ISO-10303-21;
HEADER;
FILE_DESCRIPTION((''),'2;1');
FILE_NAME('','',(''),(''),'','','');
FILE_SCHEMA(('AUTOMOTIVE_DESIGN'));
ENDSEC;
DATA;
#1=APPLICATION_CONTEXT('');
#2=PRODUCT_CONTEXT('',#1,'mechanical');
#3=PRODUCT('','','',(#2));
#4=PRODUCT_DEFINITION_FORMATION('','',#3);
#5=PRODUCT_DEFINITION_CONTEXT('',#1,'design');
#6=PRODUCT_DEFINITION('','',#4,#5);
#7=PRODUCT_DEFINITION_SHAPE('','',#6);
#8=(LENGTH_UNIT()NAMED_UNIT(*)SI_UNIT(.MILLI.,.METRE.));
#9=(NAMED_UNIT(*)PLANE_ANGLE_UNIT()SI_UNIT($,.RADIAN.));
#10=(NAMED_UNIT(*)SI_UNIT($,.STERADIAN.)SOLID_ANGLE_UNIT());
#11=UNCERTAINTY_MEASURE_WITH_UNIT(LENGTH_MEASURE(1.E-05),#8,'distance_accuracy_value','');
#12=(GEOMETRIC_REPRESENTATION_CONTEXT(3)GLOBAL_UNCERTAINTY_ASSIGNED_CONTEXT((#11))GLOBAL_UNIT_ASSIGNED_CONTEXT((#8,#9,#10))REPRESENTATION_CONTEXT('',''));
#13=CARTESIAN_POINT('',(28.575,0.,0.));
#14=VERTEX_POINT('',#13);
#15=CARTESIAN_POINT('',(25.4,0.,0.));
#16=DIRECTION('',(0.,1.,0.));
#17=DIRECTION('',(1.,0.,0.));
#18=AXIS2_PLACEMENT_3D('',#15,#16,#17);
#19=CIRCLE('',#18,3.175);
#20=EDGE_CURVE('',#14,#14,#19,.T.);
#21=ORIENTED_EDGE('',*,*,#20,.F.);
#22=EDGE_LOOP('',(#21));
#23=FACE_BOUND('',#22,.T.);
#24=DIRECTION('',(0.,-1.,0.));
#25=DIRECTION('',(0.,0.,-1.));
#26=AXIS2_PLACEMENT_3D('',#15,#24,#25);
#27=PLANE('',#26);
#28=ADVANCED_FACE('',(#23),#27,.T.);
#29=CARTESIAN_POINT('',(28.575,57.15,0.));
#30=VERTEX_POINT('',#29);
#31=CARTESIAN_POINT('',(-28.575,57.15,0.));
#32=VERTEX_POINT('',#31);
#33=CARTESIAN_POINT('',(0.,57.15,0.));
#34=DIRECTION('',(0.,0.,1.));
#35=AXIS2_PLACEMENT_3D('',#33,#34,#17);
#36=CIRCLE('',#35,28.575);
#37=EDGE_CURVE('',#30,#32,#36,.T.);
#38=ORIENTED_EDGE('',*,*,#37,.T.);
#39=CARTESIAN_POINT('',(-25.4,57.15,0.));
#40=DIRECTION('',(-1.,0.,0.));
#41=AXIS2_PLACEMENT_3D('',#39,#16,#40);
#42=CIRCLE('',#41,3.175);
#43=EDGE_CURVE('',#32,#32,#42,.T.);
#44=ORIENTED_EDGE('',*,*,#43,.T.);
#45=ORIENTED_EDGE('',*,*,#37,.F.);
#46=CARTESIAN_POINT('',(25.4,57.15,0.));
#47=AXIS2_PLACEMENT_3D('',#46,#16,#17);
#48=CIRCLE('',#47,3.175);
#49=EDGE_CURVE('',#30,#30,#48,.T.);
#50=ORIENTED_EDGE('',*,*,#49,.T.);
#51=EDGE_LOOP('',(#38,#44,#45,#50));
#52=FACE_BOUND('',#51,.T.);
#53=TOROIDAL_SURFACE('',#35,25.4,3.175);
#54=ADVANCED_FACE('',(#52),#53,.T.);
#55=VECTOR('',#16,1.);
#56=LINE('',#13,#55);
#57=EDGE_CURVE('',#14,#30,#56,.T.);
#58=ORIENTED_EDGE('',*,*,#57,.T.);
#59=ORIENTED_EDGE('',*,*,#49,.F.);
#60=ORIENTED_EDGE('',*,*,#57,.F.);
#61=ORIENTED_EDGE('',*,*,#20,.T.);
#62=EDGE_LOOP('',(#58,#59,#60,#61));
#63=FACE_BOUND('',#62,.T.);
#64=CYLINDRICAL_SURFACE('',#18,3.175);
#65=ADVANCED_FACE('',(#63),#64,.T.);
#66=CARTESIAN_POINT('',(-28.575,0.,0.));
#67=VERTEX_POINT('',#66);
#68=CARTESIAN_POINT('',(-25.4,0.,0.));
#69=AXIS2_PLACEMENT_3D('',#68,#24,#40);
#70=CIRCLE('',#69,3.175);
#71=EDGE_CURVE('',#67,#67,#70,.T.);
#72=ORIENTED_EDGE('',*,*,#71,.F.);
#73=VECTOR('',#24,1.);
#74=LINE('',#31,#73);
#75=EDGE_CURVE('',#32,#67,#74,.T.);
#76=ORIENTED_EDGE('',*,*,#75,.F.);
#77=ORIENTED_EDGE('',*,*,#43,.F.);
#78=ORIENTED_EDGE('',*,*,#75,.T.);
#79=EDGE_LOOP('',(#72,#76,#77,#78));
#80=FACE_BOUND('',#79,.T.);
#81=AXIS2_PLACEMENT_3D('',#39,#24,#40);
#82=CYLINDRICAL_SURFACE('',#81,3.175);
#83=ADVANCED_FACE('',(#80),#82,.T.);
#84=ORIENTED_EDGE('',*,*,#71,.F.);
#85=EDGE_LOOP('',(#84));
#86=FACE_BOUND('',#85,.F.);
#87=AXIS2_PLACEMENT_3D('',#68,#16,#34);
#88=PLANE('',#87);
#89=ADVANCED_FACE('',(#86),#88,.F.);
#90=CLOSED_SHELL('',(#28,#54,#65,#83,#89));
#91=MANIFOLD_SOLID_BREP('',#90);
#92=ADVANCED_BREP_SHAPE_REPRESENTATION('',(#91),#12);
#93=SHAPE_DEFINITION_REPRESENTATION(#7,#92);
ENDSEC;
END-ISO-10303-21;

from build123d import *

# Parameters (mm, degrees)
F1_R = 3.175


with BuildPart() as f2:
    # F2: sweep along a path in F0
    with BuildLine(Plane.XY) as f2_path:
        Line((25.4, 0), (25.4, 57.15))
        ThreePointArc((25.4, 57.15), (0, 82.55), (-25.4, 57.15))
        Line((-25.4, 57.15), (-25.4, 0))
    # F1 (on Front) → F2 (sweep)
    with BuildSketch(Plane.XZ):
        with Locations((25.4, 0)):
            Circle(F1_R)
    sweep(path=f2_path.line)


solid = f2.part
